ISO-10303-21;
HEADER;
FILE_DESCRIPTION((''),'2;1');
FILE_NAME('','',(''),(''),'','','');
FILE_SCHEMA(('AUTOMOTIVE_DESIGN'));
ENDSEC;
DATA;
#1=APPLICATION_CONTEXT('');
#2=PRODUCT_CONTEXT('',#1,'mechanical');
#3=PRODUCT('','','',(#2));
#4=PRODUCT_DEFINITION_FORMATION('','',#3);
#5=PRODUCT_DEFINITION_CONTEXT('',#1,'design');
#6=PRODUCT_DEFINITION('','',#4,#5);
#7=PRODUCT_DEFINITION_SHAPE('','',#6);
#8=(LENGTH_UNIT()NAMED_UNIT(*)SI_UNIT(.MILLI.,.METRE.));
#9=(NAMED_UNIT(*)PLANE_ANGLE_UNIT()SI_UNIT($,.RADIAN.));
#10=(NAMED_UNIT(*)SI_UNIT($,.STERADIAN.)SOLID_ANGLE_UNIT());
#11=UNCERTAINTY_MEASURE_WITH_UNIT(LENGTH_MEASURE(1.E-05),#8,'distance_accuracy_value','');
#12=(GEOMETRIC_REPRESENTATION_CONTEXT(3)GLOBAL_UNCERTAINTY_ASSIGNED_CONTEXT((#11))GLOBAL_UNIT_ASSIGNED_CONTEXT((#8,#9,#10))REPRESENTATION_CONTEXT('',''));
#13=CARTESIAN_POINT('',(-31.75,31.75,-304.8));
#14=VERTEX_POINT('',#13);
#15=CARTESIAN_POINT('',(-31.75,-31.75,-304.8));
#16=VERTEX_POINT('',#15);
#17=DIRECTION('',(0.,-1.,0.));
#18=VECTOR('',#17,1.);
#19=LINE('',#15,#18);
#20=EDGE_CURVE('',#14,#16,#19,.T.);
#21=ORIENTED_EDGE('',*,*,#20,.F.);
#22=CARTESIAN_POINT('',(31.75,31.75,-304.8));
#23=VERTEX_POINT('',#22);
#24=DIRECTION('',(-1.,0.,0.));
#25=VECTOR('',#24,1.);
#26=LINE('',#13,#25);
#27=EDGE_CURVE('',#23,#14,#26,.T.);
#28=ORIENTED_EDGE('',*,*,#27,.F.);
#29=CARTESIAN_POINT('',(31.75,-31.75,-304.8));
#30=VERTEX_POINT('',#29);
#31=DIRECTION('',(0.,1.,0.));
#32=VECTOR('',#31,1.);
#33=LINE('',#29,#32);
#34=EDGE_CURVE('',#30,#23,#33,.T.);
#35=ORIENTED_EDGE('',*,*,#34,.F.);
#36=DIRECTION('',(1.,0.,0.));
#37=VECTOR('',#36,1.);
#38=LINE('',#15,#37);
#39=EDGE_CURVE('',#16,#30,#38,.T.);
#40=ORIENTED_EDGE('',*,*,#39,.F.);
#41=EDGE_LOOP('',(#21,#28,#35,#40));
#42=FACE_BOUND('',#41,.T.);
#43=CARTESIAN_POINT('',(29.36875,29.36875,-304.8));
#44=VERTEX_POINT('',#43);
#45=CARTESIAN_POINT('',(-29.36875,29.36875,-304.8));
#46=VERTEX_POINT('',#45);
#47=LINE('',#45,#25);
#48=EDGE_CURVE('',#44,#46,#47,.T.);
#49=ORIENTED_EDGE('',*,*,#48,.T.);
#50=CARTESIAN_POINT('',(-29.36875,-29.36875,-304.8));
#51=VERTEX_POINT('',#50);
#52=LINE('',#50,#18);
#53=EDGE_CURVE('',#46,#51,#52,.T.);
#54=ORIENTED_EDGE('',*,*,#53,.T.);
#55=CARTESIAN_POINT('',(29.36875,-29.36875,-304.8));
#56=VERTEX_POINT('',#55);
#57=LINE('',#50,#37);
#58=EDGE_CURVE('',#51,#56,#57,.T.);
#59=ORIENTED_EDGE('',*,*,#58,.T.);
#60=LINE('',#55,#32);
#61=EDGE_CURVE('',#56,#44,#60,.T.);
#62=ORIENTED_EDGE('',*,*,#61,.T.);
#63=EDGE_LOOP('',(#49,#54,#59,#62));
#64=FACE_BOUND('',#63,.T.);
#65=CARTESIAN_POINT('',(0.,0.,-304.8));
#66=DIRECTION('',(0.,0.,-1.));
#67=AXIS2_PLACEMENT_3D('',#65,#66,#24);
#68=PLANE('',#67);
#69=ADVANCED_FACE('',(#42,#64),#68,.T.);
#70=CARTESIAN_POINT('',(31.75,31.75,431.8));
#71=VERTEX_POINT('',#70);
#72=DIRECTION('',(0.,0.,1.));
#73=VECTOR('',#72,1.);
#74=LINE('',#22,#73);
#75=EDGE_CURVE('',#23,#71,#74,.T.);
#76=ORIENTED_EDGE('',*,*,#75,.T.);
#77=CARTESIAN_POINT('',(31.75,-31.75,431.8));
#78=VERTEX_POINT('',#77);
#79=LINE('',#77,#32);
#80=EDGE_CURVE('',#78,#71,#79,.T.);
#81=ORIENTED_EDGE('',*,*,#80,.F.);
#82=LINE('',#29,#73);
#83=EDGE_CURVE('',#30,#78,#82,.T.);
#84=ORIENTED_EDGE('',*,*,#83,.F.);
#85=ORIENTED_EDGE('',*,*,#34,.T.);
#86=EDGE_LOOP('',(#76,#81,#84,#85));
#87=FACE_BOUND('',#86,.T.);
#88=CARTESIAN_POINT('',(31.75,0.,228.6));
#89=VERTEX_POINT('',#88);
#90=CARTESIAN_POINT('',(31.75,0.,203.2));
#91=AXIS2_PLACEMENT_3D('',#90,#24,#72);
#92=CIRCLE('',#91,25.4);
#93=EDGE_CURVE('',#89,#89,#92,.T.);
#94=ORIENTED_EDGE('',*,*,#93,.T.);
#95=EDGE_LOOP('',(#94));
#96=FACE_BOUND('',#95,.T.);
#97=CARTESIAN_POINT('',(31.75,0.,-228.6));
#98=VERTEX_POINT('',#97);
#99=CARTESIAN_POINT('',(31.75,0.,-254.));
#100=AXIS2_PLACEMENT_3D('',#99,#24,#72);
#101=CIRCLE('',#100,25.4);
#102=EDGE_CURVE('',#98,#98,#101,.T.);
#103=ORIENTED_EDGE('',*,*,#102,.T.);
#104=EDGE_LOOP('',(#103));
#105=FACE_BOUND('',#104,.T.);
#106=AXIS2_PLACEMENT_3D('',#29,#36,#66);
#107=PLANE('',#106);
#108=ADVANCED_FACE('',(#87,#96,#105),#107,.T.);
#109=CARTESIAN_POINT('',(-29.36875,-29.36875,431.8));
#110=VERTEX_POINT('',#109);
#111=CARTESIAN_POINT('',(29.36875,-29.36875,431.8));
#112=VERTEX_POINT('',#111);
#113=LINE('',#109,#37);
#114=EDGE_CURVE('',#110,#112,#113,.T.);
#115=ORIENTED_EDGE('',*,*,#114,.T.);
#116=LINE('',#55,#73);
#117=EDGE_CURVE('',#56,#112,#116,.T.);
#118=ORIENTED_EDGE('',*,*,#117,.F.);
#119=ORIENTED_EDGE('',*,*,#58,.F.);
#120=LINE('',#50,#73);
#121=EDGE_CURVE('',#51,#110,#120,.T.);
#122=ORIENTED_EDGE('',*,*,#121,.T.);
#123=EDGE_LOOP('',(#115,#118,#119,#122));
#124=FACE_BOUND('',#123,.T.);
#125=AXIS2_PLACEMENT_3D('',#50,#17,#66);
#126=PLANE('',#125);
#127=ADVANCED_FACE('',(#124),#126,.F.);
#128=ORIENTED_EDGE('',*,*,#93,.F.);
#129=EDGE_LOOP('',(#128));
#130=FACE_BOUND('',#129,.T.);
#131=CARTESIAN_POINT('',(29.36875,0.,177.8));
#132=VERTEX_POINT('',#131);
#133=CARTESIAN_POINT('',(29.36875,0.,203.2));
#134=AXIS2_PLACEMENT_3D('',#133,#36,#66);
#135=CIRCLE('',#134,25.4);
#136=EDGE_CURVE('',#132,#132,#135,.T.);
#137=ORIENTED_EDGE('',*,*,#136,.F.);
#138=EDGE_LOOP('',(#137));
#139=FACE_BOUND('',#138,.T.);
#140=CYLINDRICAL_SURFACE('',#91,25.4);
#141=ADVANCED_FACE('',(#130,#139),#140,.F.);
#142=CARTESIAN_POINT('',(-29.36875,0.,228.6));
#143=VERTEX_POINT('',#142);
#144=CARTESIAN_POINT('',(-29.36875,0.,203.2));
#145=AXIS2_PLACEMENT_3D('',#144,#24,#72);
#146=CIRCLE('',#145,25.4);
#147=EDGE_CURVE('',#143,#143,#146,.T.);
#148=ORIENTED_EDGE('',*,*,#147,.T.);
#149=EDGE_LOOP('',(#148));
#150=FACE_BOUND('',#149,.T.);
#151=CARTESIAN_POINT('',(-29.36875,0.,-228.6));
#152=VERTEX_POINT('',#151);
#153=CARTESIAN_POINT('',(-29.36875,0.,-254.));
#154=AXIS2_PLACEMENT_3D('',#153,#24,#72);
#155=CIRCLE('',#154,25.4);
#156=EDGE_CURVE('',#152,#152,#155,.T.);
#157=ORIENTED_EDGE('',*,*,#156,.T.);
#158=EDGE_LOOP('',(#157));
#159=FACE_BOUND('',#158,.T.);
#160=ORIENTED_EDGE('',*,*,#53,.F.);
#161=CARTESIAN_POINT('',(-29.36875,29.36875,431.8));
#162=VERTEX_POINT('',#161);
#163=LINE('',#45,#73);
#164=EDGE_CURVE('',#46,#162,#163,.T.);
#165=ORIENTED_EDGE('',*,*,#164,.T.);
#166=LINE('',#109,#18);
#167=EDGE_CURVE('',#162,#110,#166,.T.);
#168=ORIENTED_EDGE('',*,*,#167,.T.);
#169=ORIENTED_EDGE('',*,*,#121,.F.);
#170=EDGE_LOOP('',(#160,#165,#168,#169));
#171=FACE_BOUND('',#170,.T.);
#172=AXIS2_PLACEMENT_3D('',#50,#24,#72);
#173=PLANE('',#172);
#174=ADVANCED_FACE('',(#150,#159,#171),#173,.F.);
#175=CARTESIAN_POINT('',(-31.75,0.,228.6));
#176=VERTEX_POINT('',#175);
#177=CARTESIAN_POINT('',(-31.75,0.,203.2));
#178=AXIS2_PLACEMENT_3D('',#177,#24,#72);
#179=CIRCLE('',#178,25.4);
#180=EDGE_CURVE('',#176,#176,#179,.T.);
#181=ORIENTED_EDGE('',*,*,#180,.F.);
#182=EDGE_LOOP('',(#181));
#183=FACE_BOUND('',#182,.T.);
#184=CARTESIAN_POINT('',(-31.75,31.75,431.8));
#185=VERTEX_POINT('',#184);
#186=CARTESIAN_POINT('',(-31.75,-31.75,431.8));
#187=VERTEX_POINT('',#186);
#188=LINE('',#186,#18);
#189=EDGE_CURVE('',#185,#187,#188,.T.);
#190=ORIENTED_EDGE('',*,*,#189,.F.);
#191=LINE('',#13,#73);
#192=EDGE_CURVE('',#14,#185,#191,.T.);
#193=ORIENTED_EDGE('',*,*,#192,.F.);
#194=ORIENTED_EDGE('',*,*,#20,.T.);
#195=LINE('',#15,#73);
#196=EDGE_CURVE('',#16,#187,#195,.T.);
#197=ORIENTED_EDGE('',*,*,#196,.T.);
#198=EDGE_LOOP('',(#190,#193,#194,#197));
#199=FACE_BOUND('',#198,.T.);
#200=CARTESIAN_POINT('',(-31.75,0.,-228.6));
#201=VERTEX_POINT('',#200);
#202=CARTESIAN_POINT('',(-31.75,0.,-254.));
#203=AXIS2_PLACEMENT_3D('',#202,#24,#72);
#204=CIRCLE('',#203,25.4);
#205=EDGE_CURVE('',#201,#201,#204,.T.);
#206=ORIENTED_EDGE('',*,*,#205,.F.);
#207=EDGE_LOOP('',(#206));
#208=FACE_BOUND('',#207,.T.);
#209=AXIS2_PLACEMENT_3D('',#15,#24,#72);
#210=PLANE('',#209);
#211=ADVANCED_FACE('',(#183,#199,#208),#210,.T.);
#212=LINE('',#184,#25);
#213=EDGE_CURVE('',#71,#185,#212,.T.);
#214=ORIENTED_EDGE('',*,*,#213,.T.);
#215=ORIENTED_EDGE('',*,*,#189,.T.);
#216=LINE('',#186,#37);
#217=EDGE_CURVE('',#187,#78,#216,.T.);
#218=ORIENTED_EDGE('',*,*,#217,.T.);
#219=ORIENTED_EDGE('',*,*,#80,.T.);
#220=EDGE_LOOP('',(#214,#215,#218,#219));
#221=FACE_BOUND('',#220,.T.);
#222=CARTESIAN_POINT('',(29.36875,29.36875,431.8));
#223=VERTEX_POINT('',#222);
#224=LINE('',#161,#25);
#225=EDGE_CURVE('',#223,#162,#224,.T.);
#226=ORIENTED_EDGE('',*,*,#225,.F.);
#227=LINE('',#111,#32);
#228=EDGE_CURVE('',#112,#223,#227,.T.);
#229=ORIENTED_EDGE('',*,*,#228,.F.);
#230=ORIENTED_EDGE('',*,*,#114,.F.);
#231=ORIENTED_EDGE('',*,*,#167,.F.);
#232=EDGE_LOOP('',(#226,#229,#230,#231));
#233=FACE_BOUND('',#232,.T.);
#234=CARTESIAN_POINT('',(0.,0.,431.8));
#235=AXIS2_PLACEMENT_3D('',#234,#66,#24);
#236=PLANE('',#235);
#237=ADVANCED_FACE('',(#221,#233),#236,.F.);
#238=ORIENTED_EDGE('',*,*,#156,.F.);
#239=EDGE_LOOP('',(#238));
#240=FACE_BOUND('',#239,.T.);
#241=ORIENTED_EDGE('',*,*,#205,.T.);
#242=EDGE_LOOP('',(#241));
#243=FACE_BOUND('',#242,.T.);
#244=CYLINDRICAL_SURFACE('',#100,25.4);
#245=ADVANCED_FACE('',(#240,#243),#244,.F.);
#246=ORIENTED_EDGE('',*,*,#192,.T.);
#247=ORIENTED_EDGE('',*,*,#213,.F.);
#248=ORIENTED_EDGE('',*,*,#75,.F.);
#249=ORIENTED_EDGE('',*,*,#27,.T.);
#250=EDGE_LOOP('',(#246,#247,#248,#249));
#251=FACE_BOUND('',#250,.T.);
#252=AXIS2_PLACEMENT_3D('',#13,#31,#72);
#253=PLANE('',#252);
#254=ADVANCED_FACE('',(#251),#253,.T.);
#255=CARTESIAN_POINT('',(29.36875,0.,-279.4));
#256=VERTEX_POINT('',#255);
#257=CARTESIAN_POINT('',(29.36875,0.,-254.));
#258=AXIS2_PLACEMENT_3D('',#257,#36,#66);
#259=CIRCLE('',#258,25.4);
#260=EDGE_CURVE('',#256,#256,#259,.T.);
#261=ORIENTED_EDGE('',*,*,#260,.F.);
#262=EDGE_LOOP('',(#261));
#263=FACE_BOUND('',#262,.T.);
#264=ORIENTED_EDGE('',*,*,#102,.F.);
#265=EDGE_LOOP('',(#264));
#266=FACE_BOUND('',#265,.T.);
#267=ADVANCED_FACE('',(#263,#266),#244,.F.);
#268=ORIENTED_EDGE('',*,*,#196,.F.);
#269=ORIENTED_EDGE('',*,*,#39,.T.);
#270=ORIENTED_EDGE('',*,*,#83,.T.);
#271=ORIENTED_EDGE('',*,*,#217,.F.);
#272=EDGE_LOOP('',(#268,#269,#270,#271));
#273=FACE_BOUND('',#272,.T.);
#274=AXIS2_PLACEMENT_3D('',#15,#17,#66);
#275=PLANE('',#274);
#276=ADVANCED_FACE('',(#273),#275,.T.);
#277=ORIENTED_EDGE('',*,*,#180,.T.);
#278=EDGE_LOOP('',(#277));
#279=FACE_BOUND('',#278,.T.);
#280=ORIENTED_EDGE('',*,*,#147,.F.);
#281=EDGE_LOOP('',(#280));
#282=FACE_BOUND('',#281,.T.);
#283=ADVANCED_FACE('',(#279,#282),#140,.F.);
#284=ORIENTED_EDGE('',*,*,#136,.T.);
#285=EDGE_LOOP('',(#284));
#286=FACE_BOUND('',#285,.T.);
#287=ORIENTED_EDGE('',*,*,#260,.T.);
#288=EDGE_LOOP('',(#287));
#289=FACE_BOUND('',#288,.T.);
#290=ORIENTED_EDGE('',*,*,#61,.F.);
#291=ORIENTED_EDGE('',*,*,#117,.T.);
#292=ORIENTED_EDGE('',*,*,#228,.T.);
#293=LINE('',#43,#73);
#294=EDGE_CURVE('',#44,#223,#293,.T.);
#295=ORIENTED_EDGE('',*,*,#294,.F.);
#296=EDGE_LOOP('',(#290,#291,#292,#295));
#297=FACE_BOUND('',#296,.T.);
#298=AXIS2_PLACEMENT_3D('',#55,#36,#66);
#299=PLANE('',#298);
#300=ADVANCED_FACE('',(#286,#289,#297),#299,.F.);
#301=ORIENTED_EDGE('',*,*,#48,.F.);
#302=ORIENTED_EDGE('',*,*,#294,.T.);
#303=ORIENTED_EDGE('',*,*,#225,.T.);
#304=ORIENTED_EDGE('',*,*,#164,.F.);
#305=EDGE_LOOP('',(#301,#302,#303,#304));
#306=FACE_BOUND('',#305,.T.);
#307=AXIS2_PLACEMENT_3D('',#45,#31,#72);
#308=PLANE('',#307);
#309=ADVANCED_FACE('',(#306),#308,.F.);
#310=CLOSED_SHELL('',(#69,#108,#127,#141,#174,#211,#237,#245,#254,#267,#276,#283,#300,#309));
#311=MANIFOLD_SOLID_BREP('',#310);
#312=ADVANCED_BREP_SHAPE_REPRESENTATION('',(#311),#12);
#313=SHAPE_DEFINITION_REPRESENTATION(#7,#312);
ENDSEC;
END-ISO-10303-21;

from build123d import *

# Parameters (mm, degrees)
BOSS_EXTRUDE1_DEPTH      = 431.8
BOSS_EXTRUDE1_DEPTH_BACK = 304.8
SKETCH1_W                = 63.5
SKETCH1_H                = 63.5
SKETCH1_W_2              = 58.7375
SKETCH1_H_2              = 58.7375
SKETCH2_R                = 25.4
CUT_EXTRUDE1_DEPTH       = 438.597477712


with BuildPart() as part:
    # Sketch1 → Boss-Extrude1 (new, two sides: drawn at the far end of the back side and taken through both)
    with BuildSketch(Plane.XY.offset(-BOSS_EXTRUDE1_DEPTH_BACK)):
        Rectangle(SKETCH1_W, SKETCH1_H)
        Rectangle(SKETCH1_W_2, SKETCH1_H_2, mode=Mode.SUBTRACT)
    extrude(amount=BOSS_EXTRUDE1_DEPTH + BOSS_EXTRUDE1_DEPTH_BACK)

    # Sketch2 → Cut-Extrude1 (cut, through all)
    with BuildSketch(Plane.ZY.offset(31.75)):
        with Locations((-254, 0)):
            Circle(SKETCH2_R)
        with Locations((203.2, 0)):
            Circle(SKETCH2_R)
    extrude(amount=-CUT_EXTRUDE1_DEPTH, mode=Mode.SUBTRACT)


solid = part.part
